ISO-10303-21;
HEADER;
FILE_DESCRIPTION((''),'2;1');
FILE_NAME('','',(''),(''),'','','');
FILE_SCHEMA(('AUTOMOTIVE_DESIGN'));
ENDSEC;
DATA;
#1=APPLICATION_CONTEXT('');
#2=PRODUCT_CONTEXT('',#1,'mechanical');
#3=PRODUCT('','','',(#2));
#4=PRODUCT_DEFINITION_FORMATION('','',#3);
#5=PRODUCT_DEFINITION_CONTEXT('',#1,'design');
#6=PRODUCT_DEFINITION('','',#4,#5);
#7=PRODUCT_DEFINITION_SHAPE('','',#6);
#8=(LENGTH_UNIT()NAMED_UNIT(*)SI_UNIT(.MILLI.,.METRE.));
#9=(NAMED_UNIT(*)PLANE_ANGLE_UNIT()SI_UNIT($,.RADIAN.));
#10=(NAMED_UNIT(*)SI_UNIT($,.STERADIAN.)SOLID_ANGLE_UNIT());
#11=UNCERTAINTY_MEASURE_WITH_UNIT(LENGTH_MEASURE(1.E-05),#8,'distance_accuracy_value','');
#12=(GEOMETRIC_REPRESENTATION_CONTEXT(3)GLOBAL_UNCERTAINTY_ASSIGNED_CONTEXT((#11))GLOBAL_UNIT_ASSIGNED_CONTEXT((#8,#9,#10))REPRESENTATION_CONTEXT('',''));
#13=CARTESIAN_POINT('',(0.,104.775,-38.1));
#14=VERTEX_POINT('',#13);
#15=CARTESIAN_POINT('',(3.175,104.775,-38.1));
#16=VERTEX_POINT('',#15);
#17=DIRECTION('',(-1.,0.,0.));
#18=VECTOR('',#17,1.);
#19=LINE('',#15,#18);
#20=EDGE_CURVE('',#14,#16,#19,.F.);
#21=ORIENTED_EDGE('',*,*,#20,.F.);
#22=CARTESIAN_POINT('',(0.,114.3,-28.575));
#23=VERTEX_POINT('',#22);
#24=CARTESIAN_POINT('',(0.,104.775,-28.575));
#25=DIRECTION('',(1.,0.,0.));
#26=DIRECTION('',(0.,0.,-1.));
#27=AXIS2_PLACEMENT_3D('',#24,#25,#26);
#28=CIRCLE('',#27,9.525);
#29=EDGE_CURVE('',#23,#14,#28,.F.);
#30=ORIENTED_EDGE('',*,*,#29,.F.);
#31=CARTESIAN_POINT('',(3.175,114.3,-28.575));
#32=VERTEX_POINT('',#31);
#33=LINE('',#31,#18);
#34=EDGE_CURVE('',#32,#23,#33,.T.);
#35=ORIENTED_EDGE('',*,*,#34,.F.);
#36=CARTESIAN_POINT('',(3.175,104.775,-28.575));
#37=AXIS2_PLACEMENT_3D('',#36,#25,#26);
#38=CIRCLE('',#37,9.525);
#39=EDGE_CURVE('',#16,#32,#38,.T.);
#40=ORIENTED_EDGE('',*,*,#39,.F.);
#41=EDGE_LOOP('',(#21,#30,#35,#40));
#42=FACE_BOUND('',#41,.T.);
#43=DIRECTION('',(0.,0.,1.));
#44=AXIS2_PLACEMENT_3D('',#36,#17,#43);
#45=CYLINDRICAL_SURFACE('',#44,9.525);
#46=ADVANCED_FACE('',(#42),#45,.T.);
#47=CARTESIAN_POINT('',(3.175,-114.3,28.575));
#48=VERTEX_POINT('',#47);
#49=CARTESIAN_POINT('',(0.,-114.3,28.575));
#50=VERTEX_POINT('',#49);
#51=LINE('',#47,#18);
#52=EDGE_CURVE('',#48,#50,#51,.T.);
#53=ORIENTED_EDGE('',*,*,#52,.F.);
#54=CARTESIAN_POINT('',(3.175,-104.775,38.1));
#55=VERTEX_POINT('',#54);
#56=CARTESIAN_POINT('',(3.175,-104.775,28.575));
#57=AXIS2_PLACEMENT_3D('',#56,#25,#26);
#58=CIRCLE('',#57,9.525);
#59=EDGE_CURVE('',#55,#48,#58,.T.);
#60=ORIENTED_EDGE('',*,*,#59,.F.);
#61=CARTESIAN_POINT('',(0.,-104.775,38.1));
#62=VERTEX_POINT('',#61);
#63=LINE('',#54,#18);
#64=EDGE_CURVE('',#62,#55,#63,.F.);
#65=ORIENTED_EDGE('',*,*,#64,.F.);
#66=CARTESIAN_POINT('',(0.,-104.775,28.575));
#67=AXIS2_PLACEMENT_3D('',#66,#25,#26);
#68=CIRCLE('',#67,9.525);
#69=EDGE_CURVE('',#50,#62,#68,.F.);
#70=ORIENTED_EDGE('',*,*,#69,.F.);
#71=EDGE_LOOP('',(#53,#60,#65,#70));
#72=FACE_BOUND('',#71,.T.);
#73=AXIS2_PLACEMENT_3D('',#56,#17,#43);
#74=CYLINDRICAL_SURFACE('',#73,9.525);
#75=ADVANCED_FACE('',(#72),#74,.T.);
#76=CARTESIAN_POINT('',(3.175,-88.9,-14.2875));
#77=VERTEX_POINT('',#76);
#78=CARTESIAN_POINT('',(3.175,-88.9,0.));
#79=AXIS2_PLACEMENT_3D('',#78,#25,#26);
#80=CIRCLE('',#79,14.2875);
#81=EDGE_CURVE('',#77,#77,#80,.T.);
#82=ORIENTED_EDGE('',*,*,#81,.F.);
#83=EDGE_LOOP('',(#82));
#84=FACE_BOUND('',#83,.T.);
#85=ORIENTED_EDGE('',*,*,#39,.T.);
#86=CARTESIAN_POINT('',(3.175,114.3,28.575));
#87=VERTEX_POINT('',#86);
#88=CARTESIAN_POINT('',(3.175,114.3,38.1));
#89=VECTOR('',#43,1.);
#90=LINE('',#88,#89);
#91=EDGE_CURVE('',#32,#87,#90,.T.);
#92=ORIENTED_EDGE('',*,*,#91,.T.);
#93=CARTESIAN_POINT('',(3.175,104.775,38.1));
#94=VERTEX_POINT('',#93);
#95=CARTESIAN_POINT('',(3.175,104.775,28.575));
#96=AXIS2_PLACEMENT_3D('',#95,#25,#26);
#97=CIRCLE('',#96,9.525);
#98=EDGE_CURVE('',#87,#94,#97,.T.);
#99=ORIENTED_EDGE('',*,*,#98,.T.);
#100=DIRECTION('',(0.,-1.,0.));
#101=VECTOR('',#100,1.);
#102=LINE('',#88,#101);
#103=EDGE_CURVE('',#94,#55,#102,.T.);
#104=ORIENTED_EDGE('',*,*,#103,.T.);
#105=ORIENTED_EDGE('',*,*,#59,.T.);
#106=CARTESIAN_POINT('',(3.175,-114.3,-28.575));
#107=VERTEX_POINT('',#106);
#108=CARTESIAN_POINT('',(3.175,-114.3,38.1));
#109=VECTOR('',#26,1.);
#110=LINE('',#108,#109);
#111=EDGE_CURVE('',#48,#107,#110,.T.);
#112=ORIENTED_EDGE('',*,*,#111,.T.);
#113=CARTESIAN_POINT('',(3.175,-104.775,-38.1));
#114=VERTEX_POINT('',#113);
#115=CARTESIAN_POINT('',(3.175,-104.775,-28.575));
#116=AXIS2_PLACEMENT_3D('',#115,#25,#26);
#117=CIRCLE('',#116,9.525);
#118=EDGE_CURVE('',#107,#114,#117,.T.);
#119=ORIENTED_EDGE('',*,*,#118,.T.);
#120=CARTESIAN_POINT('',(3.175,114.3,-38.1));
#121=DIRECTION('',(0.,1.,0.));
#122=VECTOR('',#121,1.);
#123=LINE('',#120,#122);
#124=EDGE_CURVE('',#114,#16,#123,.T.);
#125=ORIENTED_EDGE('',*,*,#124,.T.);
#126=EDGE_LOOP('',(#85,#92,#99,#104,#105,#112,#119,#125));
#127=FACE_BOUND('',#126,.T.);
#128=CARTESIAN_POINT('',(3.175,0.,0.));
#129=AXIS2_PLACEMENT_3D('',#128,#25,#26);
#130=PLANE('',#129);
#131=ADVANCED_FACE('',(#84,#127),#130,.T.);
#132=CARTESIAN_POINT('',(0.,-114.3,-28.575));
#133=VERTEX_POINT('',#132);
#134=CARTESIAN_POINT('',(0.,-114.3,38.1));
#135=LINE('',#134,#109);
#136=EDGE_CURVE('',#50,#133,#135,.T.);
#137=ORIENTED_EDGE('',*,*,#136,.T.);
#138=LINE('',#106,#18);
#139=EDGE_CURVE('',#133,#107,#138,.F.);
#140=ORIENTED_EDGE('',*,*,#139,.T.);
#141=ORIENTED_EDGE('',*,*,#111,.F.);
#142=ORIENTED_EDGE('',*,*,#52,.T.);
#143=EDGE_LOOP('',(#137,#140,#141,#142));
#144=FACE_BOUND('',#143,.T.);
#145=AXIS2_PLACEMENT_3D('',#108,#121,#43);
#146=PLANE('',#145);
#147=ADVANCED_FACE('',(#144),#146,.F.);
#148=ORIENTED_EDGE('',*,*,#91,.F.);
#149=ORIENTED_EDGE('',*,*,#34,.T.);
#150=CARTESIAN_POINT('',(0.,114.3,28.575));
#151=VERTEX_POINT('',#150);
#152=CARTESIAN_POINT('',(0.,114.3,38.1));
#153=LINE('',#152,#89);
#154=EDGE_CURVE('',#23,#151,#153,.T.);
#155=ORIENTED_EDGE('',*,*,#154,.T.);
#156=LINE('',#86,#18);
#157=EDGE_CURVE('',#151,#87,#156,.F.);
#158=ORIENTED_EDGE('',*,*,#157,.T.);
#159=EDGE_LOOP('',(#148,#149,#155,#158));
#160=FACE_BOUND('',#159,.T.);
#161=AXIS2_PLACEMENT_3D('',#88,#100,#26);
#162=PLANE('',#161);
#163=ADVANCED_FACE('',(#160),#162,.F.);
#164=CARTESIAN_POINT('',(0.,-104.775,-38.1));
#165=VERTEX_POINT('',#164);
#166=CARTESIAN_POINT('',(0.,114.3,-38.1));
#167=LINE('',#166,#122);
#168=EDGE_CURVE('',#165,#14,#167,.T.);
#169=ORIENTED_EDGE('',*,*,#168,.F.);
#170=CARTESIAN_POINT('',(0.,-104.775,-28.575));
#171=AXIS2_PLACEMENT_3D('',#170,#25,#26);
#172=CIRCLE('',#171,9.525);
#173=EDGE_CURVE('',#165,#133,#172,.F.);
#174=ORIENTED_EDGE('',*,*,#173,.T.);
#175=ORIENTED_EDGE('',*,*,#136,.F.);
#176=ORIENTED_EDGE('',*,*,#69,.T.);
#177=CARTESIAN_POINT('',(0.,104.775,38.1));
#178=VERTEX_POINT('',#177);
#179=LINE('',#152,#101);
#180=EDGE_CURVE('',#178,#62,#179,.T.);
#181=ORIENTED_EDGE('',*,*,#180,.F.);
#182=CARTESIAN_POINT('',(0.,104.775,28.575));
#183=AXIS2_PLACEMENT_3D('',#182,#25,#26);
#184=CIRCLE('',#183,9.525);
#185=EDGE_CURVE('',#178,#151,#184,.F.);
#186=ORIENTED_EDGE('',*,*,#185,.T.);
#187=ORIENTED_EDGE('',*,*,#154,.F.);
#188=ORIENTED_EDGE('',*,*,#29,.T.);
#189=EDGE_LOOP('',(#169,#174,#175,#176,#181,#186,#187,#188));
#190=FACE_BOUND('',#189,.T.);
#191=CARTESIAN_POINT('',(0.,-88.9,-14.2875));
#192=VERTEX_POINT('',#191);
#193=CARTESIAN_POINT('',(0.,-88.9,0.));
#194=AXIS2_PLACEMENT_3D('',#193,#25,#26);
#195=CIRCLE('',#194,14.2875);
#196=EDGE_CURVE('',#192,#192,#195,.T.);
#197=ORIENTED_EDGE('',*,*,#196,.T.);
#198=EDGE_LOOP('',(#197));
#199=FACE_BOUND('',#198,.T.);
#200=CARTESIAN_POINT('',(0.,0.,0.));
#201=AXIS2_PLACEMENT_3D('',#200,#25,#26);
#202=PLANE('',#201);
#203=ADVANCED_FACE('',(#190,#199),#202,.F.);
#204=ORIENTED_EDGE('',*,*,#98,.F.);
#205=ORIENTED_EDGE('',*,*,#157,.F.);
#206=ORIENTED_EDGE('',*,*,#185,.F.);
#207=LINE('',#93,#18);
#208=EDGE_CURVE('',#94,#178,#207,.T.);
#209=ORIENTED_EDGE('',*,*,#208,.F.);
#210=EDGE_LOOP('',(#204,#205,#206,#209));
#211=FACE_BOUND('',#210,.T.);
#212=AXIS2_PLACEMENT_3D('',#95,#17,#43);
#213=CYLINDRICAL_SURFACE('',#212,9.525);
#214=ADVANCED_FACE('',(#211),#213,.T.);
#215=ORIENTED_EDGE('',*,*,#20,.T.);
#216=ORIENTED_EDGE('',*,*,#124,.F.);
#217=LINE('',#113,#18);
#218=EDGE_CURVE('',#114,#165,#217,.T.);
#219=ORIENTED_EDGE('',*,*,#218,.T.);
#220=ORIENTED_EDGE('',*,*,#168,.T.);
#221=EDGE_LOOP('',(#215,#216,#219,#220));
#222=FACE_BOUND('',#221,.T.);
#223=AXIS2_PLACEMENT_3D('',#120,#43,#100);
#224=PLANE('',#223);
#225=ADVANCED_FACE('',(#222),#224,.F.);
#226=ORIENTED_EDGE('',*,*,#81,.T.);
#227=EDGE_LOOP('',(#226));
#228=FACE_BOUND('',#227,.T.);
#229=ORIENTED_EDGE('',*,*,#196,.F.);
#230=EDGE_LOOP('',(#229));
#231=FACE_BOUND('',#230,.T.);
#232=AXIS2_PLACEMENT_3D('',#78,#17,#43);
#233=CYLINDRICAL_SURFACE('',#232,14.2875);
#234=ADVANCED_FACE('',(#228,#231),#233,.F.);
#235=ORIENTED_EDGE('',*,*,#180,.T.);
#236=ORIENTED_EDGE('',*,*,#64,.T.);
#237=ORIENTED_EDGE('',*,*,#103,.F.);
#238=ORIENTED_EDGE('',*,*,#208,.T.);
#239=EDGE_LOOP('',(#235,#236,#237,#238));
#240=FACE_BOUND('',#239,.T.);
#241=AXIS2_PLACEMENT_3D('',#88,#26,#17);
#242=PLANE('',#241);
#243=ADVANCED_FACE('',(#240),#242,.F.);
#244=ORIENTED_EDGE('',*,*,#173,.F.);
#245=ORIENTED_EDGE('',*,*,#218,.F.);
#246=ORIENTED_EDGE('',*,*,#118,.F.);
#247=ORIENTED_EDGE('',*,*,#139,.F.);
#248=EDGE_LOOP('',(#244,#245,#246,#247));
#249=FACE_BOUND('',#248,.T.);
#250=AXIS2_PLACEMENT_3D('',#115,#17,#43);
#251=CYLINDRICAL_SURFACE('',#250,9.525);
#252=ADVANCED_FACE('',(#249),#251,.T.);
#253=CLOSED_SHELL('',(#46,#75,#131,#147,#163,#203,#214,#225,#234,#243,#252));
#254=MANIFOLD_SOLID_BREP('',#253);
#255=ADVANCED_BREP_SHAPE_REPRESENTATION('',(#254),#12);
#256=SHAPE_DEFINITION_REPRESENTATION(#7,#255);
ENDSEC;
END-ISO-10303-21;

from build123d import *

# Parameters (mm, degrees)
SKETCH1_W           = 76.2
SKETCH1_H           = 228.6
SKETCH1_R           = 14.2875
BOSS_EXTRUDE1_DEPTH = 3.175
FILLET1_R           = 9.525


with BuildPart() as part:
    # Sketch1 → Boss-Extrude1 (new body)
    with BuildSketch(Plane(origin=(0, 0, 0), x_dir=(0, 0, -1), z_dir=(1, 0, 0))):
        Rectangle(SKETCH1_W, SKETCH1_H)
        with Locations((0, -88.9)):
            Circle(SKETCH1_R, mode=Mode.SUBTRACT)
    extrude(amount=BOSS_EXTRUDE1_DEPTH)

    # Fillet1
    fillet1_edges = [part.edges().sort_by_distance(p)[0] for p in [
        (1.5875, 114.3, 38.1),
        (1.5875, 114.3, -38.1),
        (1.5875, -114.3, -38.1),
        (1.5875, -114.3, 38.1),
    ]]
    fillet(fillet1_edges, radius=FILLET1_R)


solid = part.part
